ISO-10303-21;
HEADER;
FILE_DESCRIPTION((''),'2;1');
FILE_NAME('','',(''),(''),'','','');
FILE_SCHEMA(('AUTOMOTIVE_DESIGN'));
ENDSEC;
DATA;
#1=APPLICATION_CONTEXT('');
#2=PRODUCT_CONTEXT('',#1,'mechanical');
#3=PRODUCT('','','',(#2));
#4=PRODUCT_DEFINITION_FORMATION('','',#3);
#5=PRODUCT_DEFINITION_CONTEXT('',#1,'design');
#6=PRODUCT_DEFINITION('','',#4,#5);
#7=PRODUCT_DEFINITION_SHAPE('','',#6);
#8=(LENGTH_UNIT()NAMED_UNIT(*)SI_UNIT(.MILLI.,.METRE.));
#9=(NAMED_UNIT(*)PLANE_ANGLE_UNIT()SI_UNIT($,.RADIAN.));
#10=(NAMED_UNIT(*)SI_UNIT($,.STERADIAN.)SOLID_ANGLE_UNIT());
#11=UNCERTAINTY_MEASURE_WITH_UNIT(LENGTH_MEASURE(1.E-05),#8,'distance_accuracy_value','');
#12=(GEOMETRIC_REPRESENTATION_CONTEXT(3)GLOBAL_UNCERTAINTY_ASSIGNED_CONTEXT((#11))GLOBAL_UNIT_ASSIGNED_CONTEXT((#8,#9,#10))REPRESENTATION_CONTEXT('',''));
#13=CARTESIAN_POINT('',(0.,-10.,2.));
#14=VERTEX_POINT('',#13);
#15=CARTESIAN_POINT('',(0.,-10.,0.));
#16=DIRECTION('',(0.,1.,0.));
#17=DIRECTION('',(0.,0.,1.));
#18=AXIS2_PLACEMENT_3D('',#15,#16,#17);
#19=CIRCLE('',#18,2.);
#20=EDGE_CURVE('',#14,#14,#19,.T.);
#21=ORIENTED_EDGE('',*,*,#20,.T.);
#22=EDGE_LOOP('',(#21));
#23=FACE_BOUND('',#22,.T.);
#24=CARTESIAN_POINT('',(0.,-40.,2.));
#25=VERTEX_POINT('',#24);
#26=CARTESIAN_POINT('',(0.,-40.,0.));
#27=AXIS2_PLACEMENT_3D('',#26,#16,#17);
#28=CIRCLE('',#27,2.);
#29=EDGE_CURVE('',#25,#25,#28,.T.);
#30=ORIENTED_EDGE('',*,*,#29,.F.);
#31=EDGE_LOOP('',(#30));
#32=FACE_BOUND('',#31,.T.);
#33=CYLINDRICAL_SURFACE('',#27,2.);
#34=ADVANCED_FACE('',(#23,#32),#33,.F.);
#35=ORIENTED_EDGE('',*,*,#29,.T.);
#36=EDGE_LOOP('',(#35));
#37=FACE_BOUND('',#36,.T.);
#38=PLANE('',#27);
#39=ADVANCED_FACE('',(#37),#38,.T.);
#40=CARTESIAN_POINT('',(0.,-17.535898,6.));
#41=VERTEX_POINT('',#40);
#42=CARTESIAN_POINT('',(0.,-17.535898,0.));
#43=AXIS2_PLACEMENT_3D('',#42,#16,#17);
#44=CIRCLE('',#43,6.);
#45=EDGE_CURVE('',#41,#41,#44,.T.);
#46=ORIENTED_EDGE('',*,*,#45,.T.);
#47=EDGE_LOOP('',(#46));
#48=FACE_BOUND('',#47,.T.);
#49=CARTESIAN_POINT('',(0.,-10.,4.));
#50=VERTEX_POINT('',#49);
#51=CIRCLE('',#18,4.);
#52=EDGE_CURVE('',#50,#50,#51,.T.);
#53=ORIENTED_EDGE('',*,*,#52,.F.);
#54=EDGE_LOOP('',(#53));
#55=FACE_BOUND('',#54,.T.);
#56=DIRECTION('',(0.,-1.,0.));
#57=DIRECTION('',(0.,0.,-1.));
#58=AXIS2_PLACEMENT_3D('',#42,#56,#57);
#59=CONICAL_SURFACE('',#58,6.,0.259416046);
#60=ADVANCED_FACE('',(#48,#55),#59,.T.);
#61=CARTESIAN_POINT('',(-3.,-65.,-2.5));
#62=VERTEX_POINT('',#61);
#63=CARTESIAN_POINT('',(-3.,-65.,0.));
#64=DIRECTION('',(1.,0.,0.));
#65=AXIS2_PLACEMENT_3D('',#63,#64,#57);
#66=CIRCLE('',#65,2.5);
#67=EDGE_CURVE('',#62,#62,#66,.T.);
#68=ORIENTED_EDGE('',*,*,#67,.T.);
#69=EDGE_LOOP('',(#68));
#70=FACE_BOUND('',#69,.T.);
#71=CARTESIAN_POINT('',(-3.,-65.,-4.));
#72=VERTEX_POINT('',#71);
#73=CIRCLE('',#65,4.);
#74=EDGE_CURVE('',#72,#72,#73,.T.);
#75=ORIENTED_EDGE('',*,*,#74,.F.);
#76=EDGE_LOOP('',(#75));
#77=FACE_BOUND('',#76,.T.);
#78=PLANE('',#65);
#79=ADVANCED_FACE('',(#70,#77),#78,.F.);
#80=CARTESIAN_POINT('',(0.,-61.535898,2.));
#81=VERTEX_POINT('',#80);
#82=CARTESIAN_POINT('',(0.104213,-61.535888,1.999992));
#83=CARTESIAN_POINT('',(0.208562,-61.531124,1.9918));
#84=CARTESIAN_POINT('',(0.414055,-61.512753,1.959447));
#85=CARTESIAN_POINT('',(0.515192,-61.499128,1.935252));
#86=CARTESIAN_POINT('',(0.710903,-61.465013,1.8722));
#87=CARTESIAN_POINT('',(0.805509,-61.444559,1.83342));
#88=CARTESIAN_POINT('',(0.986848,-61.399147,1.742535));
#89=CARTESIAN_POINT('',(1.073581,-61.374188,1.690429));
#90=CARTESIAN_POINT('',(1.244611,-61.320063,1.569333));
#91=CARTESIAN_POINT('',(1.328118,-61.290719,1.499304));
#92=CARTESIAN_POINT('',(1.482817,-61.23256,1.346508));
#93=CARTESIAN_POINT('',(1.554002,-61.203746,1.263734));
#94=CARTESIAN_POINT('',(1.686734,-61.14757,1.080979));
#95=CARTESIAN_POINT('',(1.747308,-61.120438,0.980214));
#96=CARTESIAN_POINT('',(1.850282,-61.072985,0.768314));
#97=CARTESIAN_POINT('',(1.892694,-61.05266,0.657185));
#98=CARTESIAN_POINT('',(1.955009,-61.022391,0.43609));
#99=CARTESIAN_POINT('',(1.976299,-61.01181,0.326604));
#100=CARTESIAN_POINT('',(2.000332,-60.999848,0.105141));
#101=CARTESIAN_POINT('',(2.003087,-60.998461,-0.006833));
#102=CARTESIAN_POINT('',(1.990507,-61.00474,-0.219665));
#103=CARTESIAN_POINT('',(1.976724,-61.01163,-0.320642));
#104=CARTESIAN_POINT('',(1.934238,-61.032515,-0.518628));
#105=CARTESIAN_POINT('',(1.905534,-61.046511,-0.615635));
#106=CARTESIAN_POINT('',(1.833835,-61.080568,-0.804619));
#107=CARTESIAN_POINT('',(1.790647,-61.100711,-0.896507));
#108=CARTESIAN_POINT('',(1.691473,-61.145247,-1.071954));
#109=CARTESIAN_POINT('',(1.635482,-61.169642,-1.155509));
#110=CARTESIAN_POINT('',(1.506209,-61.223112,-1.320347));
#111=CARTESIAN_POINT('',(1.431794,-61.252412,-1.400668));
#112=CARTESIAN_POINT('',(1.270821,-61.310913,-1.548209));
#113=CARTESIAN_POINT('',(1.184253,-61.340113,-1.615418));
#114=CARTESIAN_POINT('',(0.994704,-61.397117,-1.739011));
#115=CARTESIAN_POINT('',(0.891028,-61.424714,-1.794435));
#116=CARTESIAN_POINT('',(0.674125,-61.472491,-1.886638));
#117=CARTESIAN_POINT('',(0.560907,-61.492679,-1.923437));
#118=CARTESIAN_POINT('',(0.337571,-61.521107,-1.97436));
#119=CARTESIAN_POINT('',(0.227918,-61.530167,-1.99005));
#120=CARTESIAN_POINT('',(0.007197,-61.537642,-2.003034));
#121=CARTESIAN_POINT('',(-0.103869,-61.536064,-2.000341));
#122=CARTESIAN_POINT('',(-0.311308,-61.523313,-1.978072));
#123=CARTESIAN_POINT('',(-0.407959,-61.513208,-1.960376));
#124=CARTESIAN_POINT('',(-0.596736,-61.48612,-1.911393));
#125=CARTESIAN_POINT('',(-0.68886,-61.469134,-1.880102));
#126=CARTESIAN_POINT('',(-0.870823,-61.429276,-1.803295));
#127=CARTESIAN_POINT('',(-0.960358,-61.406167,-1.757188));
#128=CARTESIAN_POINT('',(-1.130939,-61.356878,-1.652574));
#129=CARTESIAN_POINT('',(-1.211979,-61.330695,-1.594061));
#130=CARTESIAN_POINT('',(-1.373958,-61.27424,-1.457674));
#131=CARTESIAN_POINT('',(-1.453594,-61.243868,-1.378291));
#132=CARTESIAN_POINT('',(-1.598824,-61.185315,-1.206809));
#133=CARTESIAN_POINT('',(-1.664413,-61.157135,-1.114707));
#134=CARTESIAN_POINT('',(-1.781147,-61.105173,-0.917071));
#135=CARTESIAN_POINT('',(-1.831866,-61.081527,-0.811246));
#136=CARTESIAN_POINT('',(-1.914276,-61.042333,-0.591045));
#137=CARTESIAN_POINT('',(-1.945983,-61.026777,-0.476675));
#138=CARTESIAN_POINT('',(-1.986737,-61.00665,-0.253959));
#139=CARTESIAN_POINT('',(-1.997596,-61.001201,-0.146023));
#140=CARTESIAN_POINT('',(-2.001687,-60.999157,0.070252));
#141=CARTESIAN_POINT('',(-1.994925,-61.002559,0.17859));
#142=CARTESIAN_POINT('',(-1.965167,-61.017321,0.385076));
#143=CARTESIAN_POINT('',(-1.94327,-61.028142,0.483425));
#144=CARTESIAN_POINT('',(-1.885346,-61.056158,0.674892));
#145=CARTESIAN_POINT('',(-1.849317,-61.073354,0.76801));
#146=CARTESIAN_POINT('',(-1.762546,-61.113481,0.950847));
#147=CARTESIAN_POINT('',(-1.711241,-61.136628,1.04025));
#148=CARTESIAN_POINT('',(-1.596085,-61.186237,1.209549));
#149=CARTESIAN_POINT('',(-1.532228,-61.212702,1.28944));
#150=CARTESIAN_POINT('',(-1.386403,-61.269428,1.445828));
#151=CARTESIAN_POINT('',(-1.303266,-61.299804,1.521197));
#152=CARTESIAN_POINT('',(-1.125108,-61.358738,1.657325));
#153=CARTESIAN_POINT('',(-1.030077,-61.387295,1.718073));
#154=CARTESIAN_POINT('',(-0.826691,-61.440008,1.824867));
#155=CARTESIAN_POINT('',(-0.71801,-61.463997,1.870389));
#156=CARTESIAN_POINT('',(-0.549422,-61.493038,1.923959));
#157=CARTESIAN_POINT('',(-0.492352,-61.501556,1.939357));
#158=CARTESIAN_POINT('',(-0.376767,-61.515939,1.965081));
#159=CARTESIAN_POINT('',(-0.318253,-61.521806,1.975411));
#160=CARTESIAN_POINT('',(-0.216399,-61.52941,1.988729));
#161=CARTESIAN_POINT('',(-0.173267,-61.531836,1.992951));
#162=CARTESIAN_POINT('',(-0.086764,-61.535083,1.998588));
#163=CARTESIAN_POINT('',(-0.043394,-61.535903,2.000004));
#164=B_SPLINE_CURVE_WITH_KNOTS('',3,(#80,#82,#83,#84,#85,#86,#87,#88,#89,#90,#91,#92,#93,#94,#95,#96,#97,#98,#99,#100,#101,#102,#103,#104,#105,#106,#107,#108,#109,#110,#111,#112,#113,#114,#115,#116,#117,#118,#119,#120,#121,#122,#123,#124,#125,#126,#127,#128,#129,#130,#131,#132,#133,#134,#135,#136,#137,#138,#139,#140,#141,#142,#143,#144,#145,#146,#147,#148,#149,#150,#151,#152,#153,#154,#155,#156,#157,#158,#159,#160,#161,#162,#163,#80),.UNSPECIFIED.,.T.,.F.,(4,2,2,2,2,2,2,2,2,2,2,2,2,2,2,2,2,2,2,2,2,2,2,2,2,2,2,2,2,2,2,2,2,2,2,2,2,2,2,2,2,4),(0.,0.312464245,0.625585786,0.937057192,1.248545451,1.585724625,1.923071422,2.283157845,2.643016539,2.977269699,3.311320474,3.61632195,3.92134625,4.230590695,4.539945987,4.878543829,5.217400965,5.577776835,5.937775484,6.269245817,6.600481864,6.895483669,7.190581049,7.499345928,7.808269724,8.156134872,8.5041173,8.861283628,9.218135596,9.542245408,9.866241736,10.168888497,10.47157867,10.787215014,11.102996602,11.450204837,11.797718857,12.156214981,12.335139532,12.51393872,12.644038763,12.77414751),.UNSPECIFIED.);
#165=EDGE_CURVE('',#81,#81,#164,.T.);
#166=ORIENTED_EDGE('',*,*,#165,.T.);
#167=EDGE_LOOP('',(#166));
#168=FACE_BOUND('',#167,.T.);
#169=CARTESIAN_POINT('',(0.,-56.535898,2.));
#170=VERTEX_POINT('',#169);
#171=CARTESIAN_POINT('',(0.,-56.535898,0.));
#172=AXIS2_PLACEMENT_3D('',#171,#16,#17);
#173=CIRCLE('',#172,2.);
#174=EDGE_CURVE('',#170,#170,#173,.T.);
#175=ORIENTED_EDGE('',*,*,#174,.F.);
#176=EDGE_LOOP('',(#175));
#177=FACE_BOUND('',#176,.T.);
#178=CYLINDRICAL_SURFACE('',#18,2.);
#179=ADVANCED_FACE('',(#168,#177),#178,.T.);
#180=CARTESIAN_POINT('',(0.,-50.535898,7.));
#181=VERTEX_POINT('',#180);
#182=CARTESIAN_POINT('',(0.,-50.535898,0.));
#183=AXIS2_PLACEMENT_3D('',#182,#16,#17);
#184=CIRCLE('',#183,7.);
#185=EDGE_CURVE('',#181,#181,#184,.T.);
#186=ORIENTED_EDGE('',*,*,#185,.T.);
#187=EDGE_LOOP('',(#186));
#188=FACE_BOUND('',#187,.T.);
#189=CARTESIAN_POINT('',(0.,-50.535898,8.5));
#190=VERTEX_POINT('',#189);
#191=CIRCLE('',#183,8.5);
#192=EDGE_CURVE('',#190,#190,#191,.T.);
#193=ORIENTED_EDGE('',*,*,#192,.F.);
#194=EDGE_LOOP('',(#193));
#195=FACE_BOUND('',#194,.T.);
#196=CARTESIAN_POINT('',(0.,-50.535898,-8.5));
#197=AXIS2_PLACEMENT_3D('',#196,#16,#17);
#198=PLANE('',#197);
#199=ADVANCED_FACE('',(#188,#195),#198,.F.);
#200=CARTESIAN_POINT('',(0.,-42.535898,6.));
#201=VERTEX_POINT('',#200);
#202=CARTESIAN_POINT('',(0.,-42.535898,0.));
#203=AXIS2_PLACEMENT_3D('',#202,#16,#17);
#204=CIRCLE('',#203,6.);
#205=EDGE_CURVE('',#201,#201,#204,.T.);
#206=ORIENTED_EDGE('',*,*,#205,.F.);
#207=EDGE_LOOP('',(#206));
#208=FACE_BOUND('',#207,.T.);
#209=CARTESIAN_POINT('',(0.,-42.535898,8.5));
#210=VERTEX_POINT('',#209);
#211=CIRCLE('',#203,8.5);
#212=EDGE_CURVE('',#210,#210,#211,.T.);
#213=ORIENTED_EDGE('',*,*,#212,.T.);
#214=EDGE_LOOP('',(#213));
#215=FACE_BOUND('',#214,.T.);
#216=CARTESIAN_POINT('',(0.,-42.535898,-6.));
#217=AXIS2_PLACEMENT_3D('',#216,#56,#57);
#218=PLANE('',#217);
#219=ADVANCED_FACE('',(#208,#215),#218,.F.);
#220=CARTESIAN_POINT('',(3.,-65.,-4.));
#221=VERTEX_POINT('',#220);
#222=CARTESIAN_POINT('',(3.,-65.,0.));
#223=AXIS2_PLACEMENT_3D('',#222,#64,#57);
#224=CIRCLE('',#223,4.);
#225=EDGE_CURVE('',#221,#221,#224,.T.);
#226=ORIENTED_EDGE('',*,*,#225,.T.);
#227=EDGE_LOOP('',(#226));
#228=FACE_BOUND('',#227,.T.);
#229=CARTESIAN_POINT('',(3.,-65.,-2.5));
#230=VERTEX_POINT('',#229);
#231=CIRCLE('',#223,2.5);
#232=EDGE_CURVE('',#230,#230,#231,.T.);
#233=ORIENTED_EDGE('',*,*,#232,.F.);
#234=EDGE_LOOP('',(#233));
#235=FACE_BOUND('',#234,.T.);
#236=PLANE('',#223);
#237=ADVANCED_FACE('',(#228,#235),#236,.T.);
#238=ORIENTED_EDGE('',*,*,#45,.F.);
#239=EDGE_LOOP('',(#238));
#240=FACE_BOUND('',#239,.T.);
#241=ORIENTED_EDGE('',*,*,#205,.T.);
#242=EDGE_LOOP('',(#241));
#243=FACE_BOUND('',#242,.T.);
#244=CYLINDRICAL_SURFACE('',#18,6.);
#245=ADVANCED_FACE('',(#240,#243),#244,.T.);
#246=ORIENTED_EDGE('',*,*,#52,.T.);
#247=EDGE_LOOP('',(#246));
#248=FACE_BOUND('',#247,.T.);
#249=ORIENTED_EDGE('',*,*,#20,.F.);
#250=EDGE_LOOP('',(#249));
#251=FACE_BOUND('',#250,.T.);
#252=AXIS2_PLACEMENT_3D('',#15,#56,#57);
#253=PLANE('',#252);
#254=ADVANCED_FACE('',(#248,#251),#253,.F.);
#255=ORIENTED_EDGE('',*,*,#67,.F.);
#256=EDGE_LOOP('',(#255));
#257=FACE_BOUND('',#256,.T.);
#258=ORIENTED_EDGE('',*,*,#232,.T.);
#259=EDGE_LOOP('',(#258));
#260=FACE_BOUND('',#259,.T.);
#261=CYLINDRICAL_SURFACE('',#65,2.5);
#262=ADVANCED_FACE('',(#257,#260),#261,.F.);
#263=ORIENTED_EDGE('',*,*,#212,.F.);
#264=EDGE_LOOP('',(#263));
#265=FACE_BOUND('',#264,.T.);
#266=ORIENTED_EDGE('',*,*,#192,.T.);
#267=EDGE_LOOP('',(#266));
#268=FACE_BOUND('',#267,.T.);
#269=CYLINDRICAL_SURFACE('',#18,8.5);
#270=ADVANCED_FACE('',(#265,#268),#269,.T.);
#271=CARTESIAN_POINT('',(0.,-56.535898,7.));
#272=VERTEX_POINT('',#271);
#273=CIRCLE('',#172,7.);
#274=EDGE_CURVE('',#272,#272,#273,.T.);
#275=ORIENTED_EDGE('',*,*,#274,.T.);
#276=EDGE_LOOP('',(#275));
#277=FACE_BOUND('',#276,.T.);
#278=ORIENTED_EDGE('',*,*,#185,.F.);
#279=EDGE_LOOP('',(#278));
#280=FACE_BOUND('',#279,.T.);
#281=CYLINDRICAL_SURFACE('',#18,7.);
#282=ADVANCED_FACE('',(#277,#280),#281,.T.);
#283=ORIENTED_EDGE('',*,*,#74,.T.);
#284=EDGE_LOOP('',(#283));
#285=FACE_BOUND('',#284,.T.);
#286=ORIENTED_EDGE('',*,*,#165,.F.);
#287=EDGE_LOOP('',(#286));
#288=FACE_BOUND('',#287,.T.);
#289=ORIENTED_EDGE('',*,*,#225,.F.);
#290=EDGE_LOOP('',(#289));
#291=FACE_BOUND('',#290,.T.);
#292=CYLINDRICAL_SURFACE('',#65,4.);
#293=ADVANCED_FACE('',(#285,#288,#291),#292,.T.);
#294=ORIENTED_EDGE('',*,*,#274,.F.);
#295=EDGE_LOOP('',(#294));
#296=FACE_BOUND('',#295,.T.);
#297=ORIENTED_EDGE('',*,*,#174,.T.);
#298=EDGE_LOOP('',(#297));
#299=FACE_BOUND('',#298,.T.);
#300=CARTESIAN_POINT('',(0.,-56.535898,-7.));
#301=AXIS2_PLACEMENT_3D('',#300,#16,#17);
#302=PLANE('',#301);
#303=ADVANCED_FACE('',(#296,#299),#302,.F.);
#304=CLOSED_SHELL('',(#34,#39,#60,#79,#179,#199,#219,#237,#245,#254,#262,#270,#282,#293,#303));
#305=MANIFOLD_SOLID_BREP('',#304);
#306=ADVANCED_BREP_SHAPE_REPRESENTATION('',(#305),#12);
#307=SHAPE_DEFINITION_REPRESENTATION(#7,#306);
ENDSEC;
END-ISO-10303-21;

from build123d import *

# Parameters (mm, degrees)
EXTRUDE_1_DEPTH          = 3
EXTRUDE_1_DEPTH_BACK     = 3
SKETCH_1_R               = 4.5
SKETCH_1_R_2             = 1.5000000000000007
EXTRUDE_1_2_DEPTH        = 3
EXTRUDE_1_2_DEPTH_BACK   = 3
SKETCH_1_R_3             = 4.000000000000001
SKETCH_1_R_4             = 2.500000000000001
EXTRUDE_2_REACH          = 71.212
EXTRUDE_2_END_RADIUS     = 4.5
SKETCH_2_R               = 3
SKETCH_3_R               = 3
CUT_EXTRUDE_1_DEPTH      = 10
SKETCH_4_R               = 2
EXTRUDE_3_DEPTH          = 20
CUT_EXTRUDE_2_DEPTH      = 20
CUT_EXTRUDE_2_DEPTH_BACK = 20
CUT_EXTRUDE_START        = -30
SKETCH_7_R               = 2
CUT_EXTRUDE_3_DEPTH      = 30


with BuildPart() as part:
    # 草图1 → 凸台-拉伸1 (new, two sides: drawn at the far end of the back side and taken through both)
    with BuildSketch(Plane(origin=(0, 0, 0), x_dir=(0, 0, -1), z_dir=(1, 0, 0)).offset(-EXTRUDE_1_DEPTH_BACK)):
        with Locations((0, 20)):
            Circle(SKETCH_1_R)
        with Locations((0, 20)):
            Circle(SKETCH_1_R_2, mode=Mode.SUBTRACT)
    extrude(amount=EXTRUDE_1_DEPTH + EXTRUDE_1_DEPTH_BACK)

    # 凸台-拉伸2: up to this cylinder (the profile starts outside it)
    extrude_2_end = Plane(origin=(0, 20, 0), z_dir=(1, 0, 0)) * Cylinder(EXTRUDE_2_END_RADIUS, 152.424, mode=Mode.PRIVATE)
    # 草图2 → 凸台-拉伸2 (add, up to the surface)
    with BuildSketch(Plane(origin=(0, 0, 0), x_dir=(1, 0, 0), z_dir=(0, 1, 0)), mode=Mode.PRIVATE) as extrude_2_sk1:
        Circle(SKETCH_2_R)
    extrude_2_tool1 = extrude(extrude_2_sk1.sketch, amount=EXTRUDE_2_REACH, mode=Mode.PRIVATE) - extrude_2_end
    add(extrude_2_tool1.solids().sort_by_distance((0, 0, 0))[0])

    # 草图3 → 切除-拉伸1 (cut)
    with BuildSketch(Plane.XZ):
        Circle(SKETCH_3_R)
    extrude(amount=-CUT_EXTRUDE_1_DEPTH, mode=Mode.SUBTRACT)

    # 草图4 → 凸台-拉伸3 (add)
    with BuildSketch(Plane.XZ.offset(-10)):
        Circle(SKETCH_4_R)
    extrude(amount=EXTRUDE_3_DEPTH)



with BuildPart() as body_2:
    # 草图1 → Extrude 1 2 (new, two sides: drawn at the far end of the back side and taken through both)
    with BuildSketch(Plane(origin=(0, 0, 0), x_dir=(0, 0, -1), z_dir=(1, 0, 0)).offset(-EXTRUDE_1_2_DEPTH_BACK)):
        with Locations((1.041e-14, -65)):
            Circle(SKETCH_1_R_3)
        with Locations((1.041e-14, -65)):
            Circle(SKETCH_1_R_4, mode=Mode.SUBTRACT)
    extrude(amount=EXTRUDE_1_2_DEPTH + EXTRUDE_1_2_DEPTH_BACK)


with BuildPart() as part_1:
    add(part.part)

    add(body_2.part)  # 旋转2 merges body 2
    # 草图5 → 旋转2 (revolve)
    with BuildSketch(Plane(origin=(0, 0, 0), x_dir=(0, 0, -1), z_dir=(1, 0, 0))):
        Polygon((0, -10), (4, -10), (6, -17.535898384862247), (6.0000000000000036, -42.53589838486224), (8.500000000000004, -42.53589838486224), (8.500000000000005, -50.53589838486224), (7.000000000000005, -50.53589838486224), (7.000000000000006, -56.53589838486224), (2.0000000000000053, -56.53589838486225), (2.0000000000000067, -61.53589838486224), (1.041e-14, -61), align=None)
    revolve(axis=Axis((0, -10, 0), (0, -1, -2e-16)))

    # 草图6 → 切除-拉伸2 (cut, two sides: drawn at the far end of the back side and taken through both)
    with BuildSketch(Plane(origin=(0, 0, 0), x_dir=(0, 0, -1), z_dir=(1, 0, 0)).offset(-CUT_EXTRUDE_2_DEPTH_BACK)):
        Polygon((4, -9.999999999999998), (-4, -10.000000000000002), (-9.63230113764052, 30.28895780179854), (12.266588859338443, 30.28895780179854), align=None)
    extrude(amount=CUT_EXTRUDE_2_DEPTH + CUT_EXTRUDE_2_DEPTH_BACK, mode=Mode.SUBTRACT)

    # 草图7 → 切除-拉伸3 (cut)
    with BuildSketch(Plane(origin=(0, -10, -2.04e-15), x_dir=(1, 0, 0), z_dir=(0, 1, 2e-16)).offset(CUT_EXTRUDE_START)):
        Circle(SKETCH_7_R)
    extrude(amount=CUT_EXTRUDE_3_DEPTH, mode=Mode.SUBTRACT)


solid = part_1.part
